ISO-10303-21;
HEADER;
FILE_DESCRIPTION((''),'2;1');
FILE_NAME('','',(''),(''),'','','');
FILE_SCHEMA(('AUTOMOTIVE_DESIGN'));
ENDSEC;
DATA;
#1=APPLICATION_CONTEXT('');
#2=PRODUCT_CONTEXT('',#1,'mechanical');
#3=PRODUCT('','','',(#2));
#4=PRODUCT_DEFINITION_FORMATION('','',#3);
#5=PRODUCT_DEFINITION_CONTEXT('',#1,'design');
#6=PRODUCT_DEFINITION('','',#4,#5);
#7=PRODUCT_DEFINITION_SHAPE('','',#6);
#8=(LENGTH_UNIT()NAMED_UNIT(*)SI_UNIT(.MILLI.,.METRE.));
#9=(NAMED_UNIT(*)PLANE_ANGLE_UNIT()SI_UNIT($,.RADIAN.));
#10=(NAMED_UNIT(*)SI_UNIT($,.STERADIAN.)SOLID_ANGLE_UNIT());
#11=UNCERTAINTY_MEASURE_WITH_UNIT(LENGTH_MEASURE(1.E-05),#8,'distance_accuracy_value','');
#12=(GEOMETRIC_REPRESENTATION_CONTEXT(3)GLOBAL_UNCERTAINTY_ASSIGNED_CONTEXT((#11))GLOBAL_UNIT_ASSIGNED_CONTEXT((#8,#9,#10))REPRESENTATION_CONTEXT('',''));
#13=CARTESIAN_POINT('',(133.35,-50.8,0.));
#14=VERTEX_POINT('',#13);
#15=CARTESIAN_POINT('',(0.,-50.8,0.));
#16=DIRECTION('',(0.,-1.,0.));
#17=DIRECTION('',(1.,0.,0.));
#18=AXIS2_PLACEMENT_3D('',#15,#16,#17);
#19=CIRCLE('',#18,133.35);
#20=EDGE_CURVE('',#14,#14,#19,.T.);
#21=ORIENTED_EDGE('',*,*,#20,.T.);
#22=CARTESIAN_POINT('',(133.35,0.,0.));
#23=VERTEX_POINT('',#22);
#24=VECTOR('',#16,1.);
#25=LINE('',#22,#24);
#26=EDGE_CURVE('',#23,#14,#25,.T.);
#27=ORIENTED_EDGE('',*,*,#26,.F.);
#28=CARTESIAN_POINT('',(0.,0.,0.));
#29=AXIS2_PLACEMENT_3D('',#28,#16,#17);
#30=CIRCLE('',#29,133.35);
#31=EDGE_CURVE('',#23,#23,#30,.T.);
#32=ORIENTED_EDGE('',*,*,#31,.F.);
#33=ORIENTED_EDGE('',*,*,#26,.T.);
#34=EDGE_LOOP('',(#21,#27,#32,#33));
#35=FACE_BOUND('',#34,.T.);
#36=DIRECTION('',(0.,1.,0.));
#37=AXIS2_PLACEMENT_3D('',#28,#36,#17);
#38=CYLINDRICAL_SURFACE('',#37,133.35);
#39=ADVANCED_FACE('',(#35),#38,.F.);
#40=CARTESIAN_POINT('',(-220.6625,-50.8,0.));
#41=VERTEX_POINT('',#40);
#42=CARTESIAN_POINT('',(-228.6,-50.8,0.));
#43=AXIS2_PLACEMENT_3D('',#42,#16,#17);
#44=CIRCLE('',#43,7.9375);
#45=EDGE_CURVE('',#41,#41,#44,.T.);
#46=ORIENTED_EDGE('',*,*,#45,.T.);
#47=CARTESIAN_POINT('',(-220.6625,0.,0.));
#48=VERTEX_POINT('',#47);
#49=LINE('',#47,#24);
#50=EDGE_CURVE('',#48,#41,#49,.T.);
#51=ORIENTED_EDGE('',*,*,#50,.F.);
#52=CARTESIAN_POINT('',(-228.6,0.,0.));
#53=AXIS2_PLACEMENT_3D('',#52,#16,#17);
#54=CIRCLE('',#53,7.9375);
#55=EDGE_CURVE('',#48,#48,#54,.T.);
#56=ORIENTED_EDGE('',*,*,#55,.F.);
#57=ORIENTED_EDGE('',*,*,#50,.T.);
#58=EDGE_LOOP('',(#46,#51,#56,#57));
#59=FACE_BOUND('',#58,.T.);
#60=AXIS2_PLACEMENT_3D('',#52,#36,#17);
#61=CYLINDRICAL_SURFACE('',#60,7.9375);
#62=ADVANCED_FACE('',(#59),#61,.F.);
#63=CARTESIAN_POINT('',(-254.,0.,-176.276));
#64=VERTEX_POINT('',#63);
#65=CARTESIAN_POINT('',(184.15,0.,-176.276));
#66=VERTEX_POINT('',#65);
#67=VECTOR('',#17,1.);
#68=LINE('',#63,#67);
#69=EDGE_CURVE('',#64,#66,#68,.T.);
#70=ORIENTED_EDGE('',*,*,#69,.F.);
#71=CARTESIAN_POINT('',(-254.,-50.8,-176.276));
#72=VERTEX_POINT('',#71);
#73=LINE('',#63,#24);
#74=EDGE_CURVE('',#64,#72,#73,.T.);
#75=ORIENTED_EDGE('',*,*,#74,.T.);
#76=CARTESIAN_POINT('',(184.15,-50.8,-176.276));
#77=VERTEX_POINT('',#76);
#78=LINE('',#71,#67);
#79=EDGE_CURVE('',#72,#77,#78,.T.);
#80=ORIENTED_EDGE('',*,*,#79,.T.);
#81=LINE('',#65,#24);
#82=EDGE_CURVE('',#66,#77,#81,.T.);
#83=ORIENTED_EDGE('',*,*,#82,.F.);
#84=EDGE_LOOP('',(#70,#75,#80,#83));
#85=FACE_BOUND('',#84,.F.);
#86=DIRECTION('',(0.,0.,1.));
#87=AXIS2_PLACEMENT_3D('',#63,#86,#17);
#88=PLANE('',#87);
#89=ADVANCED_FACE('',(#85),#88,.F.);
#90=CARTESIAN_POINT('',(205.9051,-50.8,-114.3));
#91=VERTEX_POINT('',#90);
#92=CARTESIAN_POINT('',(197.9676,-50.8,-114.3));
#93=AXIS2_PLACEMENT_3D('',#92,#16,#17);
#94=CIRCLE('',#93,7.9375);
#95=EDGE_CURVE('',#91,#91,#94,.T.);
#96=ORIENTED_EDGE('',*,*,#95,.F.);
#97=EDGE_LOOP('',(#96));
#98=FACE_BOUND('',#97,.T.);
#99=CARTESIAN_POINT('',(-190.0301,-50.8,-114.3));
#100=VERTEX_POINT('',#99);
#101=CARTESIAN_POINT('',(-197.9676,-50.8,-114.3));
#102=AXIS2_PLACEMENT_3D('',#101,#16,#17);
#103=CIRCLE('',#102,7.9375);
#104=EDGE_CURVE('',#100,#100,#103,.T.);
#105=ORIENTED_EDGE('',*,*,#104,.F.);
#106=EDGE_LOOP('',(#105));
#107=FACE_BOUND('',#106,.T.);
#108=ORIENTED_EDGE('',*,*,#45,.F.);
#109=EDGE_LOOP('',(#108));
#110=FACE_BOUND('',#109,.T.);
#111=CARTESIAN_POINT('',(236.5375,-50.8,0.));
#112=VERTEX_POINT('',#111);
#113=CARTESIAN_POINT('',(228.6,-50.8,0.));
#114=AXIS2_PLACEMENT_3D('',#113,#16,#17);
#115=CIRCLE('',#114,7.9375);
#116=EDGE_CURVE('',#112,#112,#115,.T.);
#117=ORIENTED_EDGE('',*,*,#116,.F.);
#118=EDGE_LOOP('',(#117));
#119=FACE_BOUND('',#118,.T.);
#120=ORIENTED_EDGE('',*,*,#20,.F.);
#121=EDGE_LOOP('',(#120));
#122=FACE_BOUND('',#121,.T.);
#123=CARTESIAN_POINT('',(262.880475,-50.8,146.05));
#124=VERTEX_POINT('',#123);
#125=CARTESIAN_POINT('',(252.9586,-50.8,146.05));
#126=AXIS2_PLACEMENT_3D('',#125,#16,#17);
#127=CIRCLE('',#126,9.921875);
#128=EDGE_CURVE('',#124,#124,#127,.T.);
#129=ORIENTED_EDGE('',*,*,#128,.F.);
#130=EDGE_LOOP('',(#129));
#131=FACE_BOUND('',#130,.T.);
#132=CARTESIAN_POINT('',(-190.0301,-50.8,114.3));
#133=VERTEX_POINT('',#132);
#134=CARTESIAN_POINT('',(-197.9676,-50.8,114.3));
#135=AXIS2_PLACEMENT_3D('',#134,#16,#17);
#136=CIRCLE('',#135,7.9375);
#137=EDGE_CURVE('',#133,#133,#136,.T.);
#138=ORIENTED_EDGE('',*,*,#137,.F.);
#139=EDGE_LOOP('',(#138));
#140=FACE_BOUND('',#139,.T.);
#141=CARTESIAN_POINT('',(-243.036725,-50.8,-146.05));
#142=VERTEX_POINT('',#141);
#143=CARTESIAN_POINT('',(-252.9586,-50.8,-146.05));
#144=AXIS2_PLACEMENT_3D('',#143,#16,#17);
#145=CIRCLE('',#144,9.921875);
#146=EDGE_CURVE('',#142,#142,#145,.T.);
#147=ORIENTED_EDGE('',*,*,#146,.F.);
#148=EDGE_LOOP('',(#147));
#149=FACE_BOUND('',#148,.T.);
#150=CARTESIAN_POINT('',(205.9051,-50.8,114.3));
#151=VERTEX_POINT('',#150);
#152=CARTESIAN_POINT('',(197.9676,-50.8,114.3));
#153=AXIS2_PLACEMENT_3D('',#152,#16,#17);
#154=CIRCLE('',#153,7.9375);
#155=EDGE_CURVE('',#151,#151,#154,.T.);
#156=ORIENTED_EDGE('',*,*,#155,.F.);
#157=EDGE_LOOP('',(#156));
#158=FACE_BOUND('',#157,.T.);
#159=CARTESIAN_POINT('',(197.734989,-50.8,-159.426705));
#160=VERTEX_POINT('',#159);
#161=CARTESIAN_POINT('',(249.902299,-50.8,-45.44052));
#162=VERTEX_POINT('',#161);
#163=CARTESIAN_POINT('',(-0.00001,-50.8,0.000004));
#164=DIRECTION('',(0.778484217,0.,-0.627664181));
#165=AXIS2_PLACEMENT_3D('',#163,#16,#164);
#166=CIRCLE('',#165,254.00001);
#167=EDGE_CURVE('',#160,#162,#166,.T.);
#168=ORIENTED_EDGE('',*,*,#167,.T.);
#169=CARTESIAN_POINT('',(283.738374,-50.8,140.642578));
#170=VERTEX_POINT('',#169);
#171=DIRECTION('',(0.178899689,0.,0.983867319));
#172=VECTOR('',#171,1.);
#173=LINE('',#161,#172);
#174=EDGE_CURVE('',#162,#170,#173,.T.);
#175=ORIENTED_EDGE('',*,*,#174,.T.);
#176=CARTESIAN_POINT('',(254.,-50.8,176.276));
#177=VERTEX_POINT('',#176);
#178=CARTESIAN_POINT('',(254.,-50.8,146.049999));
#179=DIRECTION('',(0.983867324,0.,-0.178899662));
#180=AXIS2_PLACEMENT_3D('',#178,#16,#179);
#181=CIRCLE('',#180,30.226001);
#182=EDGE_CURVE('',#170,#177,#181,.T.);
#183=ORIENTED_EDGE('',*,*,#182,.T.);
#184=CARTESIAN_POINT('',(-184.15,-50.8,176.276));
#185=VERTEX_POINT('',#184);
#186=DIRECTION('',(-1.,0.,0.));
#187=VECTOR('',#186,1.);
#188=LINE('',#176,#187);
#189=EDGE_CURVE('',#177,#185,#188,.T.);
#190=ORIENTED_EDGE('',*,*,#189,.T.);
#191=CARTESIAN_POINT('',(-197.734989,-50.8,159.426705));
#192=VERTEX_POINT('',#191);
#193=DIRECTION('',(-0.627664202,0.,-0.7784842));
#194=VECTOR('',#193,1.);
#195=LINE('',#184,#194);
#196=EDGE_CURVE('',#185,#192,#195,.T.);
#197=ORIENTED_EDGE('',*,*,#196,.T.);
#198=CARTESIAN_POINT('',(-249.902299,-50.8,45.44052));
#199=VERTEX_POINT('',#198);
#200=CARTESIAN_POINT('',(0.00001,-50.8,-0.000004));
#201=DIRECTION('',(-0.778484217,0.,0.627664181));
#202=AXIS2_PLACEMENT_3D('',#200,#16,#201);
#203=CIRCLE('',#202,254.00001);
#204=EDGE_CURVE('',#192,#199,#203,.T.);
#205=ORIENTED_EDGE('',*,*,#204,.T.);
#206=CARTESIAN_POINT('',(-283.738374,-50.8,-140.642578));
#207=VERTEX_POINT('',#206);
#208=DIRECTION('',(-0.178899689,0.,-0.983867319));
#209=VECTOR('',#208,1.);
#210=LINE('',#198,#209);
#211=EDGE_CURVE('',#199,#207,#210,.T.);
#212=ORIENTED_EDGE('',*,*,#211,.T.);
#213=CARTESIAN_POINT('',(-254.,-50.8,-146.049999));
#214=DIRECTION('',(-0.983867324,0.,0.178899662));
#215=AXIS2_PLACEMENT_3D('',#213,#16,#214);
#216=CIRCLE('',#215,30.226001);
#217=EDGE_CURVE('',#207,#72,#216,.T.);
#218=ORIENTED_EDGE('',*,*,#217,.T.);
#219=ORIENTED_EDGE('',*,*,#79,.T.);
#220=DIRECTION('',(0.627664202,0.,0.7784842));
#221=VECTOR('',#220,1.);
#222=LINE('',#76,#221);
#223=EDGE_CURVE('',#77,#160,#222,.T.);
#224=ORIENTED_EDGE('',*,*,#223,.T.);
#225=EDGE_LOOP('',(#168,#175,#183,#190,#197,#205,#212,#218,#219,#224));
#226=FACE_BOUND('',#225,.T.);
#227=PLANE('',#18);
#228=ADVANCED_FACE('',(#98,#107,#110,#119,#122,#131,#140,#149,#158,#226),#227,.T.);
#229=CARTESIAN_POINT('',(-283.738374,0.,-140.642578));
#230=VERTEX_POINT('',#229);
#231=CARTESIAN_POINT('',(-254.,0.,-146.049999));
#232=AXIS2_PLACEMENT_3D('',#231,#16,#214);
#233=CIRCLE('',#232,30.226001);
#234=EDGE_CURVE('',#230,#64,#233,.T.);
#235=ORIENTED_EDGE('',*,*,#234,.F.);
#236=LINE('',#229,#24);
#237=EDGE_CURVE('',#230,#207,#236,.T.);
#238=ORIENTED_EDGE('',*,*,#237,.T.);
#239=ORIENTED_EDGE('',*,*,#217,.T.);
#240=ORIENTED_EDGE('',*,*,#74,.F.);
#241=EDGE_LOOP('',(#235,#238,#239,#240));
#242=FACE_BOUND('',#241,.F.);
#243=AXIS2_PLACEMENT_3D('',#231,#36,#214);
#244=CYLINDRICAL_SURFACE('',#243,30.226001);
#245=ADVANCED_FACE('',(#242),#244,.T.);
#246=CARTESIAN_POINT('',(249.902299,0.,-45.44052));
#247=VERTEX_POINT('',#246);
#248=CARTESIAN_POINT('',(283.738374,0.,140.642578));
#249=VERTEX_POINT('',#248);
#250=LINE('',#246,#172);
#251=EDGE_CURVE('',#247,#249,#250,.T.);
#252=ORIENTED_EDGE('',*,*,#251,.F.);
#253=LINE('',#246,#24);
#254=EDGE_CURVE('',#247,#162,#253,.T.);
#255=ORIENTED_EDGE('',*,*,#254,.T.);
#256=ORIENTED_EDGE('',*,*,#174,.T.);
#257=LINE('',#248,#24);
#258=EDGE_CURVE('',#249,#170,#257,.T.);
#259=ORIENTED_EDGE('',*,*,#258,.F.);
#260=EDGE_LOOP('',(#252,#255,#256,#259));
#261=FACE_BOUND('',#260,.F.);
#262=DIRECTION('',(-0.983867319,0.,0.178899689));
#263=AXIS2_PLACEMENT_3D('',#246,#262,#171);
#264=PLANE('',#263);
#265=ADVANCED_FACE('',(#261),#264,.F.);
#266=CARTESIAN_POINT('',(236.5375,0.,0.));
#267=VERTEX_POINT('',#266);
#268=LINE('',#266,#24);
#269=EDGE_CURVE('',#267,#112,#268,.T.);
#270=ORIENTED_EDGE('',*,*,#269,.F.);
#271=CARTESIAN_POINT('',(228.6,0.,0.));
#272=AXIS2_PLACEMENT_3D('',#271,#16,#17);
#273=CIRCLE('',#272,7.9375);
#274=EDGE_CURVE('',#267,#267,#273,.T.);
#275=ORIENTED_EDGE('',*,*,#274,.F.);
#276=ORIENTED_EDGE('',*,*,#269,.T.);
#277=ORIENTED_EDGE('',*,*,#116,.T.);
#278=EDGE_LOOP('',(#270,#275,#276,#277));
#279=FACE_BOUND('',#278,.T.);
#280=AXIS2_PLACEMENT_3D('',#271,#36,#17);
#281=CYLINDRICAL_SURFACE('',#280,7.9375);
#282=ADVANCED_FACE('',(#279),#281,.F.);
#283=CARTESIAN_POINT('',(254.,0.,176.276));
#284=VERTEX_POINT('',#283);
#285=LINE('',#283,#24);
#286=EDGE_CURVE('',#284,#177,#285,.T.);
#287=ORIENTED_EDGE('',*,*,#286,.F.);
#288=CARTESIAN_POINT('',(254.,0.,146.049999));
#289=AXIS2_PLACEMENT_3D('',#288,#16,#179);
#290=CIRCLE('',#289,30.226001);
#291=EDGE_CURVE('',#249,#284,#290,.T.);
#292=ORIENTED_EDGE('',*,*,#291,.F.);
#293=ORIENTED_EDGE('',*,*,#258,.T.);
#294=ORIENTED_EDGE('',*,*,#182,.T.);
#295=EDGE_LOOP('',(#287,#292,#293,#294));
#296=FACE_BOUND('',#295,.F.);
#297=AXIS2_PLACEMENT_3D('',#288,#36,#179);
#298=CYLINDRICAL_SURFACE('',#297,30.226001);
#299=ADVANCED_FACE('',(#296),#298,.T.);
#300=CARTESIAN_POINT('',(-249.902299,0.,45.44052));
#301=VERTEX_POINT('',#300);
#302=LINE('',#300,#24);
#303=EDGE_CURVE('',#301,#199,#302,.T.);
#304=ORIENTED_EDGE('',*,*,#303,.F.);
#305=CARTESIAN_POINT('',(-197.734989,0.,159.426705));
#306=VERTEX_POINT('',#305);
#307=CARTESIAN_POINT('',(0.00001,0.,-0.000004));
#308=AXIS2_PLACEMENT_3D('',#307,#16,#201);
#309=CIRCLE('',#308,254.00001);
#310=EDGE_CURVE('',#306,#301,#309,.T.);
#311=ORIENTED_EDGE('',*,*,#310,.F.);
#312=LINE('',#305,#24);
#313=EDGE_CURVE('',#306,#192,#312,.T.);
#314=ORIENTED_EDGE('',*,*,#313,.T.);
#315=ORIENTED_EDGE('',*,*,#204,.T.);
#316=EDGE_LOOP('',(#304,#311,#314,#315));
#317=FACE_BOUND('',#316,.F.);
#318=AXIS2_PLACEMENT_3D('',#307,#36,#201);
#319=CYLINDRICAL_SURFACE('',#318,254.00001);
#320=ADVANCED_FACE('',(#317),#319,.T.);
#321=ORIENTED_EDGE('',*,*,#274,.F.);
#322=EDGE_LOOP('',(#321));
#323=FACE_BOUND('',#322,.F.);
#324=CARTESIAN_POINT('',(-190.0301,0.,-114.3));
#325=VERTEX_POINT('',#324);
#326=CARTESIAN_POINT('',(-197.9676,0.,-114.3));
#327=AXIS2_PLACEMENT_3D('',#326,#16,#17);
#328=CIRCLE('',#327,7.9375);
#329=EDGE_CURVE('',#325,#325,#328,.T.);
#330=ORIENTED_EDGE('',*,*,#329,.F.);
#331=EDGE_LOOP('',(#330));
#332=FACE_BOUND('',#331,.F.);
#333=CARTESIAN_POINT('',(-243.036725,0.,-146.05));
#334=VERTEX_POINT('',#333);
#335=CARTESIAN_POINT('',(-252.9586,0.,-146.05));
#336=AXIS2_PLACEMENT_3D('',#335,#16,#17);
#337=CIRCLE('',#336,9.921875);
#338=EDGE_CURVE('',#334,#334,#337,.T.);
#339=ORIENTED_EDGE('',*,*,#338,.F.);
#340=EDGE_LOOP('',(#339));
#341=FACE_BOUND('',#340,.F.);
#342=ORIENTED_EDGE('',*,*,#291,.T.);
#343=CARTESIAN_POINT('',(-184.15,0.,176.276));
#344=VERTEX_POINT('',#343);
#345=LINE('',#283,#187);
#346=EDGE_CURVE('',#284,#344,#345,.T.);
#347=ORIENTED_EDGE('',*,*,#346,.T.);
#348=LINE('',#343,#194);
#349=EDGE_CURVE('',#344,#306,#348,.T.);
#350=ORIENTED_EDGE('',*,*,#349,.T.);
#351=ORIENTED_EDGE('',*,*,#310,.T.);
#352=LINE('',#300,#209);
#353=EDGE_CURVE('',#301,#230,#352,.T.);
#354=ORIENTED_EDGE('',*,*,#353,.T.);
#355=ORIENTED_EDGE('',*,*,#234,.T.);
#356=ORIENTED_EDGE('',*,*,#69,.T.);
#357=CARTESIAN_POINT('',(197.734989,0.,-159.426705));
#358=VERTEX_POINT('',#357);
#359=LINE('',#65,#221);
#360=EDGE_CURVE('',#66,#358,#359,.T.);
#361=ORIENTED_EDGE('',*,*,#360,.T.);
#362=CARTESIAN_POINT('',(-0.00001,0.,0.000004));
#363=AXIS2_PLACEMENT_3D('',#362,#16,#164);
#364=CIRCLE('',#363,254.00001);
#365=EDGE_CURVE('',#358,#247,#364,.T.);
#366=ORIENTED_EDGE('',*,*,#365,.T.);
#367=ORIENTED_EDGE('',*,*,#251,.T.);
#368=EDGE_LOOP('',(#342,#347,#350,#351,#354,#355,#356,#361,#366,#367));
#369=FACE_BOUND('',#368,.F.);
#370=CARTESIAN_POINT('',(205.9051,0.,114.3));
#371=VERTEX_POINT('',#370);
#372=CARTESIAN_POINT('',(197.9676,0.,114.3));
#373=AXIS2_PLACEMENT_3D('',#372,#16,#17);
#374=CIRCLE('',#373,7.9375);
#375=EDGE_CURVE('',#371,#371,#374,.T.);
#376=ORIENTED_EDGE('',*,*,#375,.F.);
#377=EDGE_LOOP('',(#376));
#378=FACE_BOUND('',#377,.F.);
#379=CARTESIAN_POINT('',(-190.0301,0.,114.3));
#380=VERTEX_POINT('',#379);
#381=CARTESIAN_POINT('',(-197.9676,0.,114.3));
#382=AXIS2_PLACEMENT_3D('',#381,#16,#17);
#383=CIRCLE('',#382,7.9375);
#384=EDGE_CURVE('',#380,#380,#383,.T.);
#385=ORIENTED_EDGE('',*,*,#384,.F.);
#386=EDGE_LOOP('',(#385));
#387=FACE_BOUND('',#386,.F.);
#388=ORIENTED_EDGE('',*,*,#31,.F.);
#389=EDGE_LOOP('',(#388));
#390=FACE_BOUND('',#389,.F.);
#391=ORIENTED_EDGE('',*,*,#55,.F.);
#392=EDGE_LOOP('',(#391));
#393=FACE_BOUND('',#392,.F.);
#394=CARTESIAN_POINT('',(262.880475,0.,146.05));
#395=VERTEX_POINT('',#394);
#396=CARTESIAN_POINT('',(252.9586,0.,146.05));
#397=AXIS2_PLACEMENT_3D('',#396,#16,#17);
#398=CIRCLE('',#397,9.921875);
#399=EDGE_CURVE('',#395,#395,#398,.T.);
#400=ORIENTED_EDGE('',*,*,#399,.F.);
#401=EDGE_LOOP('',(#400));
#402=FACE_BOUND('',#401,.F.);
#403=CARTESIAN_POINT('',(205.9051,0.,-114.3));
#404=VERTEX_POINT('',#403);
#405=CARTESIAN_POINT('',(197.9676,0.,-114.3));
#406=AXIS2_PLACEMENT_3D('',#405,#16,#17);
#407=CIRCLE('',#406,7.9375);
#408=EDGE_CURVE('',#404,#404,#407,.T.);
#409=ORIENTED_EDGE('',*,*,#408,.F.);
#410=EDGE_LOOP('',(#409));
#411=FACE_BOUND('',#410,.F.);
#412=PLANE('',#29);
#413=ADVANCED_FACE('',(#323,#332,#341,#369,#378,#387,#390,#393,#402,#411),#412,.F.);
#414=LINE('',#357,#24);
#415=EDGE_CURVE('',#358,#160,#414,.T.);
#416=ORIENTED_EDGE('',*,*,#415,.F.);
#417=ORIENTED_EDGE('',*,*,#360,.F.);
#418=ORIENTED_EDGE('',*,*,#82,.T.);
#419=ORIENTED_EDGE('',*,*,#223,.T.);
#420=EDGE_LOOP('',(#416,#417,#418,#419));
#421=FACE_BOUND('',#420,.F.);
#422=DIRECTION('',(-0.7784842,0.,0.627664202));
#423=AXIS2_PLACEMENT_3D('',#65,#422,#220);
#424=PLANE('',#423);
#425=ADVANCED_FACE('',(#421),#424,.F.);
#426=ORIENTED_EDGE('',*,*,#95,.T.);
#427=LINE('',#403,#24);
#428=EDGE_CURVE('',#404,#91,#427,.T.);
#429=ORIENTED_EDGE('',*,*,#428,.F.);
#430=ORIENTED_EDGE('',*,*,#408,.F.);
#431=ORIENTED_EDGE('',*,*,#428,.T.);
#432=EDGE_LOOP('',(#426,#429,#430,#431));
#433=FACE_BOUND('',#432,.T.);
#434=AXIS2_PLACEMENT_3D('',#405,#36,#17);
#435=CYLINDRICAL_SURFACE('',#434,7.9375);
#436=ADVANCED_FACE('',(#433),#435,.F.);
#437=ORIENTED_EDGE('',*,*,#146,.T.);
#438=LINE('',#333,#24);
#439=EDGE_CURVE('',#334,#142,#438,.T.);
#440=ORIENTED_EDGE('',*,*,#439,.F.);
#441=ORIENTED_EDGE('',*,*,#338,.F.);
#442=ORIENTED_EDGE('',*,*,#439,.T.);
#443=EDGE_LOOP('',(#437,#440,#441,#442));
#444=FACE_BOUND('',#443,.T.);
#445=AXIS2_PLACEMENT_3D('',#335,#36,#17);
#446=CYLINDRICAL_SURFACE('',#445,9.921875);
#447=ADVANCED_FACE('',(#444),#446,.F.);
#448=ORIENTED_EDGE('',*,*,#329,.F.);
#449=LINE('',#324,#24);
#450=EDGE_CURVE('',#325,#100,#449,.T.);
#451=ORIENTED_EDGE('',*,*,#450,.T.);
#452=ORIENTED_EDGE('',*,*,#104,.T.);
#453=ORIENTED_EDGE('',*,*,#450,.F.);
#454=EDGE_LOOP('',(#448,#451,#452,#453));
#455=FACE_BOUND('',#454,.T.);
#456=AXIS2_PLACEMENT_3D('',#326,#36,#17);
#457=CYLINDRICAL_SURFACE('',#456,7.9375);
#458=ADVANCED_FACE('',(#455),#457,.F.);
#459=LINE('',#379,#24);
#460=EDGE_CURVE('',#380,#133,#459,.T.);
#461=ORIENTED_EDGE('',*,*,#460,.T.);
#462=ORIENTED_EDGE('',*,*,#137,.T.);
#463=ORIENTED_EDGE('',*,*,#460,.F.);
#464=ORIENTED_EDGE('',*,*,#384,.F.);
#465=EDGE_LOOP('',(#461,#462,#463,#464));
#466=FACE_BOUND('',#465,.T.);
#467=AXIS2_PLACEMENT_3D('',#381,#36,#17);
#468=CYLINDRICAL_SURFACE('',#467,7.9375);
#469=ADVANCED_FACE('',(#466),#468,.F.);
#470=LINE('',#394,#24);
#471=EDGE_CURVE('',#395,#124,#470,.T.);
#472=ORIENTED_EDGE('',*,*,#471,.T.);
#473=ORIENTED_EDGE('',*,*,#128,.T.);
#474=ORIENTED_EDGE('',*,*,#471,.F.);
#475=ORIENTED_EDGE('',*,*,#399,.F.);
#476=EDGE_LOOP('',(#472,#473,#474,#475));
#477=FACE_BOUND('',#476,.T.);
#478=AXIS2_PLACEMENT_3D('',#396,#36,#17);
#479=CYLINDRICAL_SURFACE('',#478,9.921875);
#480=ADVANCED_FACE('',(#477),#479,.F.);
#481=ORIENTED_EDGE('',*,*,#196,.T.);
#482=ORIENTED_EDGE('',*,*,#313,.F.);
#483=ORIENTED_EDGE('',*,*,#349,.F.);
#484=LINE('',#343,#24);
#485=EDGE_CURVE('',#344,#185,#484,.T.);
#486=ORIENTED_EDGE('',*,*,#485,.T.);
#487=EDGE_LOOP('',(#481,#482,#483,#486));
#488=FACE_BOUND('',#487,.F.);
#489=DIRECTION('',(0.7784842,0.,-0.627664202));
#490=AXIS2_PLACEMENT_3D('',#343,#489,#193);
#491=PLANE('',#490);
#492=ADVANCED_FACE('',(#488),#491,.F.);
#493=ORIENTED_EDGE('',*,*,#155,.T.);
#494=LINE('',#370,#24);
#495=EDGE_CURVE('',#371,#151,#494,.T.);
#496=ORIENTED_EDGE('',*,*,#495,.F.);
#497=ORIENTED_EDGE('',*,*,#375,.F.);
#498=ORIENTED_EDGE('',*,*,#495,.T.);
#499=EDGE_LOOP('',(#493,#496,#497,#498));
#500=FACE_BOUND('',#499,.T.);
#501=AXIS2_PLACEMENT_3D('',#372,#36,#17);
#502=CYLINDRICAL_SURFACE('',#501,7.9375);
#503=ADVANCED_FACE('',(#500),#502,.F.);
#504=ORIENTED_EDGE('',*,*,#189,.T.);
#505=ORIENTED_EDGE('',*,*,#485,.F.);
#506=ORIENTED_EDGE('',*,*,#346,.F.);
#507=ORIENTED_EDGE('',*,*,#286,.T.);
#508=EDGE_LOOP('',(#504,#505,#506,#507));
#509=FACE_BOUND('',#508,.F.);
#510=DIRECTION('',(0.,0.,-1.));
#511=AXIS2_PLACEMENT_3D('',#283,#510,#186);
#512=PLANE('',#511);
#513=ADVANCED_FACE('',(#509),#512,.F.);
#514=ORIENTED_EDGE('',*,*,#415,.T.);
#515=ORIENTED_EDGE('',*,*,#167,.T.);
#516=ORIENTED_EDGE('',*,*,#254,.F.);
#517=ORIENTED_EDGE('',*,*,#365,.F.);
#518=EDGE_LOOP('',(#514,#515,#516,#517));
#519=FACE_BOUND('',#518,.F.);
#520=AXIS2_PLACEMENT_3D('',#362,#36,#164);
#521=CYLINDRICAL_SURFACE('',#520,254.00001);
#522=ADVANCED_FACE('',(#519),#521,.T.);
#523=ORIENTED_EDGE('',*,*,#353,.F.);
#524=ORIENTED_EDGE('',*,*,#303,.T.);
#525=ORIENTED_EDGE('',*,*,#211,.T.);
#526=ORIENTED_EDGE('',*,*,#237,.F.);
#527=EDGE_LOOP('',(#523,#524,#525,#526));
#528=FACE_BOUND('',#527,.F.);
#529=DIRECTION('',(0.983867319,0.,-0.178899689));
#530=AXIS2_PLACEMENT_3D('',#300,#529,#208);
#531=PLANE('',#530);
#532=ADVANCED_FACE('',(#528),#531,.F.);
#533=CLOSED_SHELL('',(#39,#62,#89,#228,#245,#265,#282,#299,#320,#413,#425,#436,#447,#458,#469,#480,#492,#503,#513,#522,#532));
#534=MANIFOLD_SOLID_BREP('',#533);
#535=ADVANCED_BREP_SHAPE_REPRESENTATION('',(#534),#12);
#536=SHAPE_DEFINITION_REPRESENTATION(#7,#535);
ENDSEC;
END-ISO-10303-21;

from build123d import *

# Parameters (mm, degrees)
F0_R     = 9.921875
F0_R_2   = 7.9375
F0_R_3   = 133.35
F1_DEPTH = 50.8


with BuildPart() as f1:
    # F0 (on Front) → F1 (new body)
    with BuildSketch(Plane.XZ):
        with BuildLine():
            Line((184.15, -176.276), (197.734989, -159.426705))
            ThreePointArc((197.734989, -159.426705), (230.961031, -105.702422), (249.902299, -45.44052))
            Line((249.902299, -45.44052), (283.738374, 140.642578))
            ThreePointArc((283.738374, 140.642578), (277.206204, 165.417064), (254, 176.276))
            Line((254, 176.276), (0, 176.276))
            Line((0, 176.276), (-184.15, 176.276))
            Line((-184.15, 176.276), (-197.734989, 159.426705))
            ThreePointArc((-197.734989, 159.426705), (-230.961031, 105.702422), (-249.902299, 45.44052))
            Line((-249.902299, 45.44052), (-283.738374, -140.642578))
            ThreePointArc((-283.738374, -140.642578), (-277.206204, -165.417064), (-254, -176.276))
            Line((-254, -176.276), (0, -176.276))
            Line((0, -176.276), (184.15, -176.276))
        make_face()
        with Locations((-252.9586, -146.05)):
            Circle(F0_R, mode=Mode.SUBTRACT)
        with Locations((-197.9676, -114.3)):
            Circle(F0_R_2, mode=Mode.SUBTRACT)
        with Locations((197.9676, -114.3)):
            Circle(F0_R_2, mode=Mode.SUBTRACT)
        with Locations((-228.6, 0)):
            Circle(F0_R_2, mode=Mode.SUBTRACT)
        with Locations((-197.9676, 114.3)):
            Circle(F0_R_2, mode=Mode.SUBTRACT)
        Circle(F0_R_3, mode=Mode.SUBTRACT)
        with Locations((228.6, 0)):
            Circle(F0_R_2, mode=Mode.SUBTRACT)
        with Locations((197.9676, 114.3)):
            Circle(F0_R_2, mode=Mode.SUBTRACT)
        with Locations((252.9586, 146.05)):
            Circle(F0_R, mode=Mode.SUBTRACT)
    extrude(amount=F1_DEPTH)


solid = f1.part
